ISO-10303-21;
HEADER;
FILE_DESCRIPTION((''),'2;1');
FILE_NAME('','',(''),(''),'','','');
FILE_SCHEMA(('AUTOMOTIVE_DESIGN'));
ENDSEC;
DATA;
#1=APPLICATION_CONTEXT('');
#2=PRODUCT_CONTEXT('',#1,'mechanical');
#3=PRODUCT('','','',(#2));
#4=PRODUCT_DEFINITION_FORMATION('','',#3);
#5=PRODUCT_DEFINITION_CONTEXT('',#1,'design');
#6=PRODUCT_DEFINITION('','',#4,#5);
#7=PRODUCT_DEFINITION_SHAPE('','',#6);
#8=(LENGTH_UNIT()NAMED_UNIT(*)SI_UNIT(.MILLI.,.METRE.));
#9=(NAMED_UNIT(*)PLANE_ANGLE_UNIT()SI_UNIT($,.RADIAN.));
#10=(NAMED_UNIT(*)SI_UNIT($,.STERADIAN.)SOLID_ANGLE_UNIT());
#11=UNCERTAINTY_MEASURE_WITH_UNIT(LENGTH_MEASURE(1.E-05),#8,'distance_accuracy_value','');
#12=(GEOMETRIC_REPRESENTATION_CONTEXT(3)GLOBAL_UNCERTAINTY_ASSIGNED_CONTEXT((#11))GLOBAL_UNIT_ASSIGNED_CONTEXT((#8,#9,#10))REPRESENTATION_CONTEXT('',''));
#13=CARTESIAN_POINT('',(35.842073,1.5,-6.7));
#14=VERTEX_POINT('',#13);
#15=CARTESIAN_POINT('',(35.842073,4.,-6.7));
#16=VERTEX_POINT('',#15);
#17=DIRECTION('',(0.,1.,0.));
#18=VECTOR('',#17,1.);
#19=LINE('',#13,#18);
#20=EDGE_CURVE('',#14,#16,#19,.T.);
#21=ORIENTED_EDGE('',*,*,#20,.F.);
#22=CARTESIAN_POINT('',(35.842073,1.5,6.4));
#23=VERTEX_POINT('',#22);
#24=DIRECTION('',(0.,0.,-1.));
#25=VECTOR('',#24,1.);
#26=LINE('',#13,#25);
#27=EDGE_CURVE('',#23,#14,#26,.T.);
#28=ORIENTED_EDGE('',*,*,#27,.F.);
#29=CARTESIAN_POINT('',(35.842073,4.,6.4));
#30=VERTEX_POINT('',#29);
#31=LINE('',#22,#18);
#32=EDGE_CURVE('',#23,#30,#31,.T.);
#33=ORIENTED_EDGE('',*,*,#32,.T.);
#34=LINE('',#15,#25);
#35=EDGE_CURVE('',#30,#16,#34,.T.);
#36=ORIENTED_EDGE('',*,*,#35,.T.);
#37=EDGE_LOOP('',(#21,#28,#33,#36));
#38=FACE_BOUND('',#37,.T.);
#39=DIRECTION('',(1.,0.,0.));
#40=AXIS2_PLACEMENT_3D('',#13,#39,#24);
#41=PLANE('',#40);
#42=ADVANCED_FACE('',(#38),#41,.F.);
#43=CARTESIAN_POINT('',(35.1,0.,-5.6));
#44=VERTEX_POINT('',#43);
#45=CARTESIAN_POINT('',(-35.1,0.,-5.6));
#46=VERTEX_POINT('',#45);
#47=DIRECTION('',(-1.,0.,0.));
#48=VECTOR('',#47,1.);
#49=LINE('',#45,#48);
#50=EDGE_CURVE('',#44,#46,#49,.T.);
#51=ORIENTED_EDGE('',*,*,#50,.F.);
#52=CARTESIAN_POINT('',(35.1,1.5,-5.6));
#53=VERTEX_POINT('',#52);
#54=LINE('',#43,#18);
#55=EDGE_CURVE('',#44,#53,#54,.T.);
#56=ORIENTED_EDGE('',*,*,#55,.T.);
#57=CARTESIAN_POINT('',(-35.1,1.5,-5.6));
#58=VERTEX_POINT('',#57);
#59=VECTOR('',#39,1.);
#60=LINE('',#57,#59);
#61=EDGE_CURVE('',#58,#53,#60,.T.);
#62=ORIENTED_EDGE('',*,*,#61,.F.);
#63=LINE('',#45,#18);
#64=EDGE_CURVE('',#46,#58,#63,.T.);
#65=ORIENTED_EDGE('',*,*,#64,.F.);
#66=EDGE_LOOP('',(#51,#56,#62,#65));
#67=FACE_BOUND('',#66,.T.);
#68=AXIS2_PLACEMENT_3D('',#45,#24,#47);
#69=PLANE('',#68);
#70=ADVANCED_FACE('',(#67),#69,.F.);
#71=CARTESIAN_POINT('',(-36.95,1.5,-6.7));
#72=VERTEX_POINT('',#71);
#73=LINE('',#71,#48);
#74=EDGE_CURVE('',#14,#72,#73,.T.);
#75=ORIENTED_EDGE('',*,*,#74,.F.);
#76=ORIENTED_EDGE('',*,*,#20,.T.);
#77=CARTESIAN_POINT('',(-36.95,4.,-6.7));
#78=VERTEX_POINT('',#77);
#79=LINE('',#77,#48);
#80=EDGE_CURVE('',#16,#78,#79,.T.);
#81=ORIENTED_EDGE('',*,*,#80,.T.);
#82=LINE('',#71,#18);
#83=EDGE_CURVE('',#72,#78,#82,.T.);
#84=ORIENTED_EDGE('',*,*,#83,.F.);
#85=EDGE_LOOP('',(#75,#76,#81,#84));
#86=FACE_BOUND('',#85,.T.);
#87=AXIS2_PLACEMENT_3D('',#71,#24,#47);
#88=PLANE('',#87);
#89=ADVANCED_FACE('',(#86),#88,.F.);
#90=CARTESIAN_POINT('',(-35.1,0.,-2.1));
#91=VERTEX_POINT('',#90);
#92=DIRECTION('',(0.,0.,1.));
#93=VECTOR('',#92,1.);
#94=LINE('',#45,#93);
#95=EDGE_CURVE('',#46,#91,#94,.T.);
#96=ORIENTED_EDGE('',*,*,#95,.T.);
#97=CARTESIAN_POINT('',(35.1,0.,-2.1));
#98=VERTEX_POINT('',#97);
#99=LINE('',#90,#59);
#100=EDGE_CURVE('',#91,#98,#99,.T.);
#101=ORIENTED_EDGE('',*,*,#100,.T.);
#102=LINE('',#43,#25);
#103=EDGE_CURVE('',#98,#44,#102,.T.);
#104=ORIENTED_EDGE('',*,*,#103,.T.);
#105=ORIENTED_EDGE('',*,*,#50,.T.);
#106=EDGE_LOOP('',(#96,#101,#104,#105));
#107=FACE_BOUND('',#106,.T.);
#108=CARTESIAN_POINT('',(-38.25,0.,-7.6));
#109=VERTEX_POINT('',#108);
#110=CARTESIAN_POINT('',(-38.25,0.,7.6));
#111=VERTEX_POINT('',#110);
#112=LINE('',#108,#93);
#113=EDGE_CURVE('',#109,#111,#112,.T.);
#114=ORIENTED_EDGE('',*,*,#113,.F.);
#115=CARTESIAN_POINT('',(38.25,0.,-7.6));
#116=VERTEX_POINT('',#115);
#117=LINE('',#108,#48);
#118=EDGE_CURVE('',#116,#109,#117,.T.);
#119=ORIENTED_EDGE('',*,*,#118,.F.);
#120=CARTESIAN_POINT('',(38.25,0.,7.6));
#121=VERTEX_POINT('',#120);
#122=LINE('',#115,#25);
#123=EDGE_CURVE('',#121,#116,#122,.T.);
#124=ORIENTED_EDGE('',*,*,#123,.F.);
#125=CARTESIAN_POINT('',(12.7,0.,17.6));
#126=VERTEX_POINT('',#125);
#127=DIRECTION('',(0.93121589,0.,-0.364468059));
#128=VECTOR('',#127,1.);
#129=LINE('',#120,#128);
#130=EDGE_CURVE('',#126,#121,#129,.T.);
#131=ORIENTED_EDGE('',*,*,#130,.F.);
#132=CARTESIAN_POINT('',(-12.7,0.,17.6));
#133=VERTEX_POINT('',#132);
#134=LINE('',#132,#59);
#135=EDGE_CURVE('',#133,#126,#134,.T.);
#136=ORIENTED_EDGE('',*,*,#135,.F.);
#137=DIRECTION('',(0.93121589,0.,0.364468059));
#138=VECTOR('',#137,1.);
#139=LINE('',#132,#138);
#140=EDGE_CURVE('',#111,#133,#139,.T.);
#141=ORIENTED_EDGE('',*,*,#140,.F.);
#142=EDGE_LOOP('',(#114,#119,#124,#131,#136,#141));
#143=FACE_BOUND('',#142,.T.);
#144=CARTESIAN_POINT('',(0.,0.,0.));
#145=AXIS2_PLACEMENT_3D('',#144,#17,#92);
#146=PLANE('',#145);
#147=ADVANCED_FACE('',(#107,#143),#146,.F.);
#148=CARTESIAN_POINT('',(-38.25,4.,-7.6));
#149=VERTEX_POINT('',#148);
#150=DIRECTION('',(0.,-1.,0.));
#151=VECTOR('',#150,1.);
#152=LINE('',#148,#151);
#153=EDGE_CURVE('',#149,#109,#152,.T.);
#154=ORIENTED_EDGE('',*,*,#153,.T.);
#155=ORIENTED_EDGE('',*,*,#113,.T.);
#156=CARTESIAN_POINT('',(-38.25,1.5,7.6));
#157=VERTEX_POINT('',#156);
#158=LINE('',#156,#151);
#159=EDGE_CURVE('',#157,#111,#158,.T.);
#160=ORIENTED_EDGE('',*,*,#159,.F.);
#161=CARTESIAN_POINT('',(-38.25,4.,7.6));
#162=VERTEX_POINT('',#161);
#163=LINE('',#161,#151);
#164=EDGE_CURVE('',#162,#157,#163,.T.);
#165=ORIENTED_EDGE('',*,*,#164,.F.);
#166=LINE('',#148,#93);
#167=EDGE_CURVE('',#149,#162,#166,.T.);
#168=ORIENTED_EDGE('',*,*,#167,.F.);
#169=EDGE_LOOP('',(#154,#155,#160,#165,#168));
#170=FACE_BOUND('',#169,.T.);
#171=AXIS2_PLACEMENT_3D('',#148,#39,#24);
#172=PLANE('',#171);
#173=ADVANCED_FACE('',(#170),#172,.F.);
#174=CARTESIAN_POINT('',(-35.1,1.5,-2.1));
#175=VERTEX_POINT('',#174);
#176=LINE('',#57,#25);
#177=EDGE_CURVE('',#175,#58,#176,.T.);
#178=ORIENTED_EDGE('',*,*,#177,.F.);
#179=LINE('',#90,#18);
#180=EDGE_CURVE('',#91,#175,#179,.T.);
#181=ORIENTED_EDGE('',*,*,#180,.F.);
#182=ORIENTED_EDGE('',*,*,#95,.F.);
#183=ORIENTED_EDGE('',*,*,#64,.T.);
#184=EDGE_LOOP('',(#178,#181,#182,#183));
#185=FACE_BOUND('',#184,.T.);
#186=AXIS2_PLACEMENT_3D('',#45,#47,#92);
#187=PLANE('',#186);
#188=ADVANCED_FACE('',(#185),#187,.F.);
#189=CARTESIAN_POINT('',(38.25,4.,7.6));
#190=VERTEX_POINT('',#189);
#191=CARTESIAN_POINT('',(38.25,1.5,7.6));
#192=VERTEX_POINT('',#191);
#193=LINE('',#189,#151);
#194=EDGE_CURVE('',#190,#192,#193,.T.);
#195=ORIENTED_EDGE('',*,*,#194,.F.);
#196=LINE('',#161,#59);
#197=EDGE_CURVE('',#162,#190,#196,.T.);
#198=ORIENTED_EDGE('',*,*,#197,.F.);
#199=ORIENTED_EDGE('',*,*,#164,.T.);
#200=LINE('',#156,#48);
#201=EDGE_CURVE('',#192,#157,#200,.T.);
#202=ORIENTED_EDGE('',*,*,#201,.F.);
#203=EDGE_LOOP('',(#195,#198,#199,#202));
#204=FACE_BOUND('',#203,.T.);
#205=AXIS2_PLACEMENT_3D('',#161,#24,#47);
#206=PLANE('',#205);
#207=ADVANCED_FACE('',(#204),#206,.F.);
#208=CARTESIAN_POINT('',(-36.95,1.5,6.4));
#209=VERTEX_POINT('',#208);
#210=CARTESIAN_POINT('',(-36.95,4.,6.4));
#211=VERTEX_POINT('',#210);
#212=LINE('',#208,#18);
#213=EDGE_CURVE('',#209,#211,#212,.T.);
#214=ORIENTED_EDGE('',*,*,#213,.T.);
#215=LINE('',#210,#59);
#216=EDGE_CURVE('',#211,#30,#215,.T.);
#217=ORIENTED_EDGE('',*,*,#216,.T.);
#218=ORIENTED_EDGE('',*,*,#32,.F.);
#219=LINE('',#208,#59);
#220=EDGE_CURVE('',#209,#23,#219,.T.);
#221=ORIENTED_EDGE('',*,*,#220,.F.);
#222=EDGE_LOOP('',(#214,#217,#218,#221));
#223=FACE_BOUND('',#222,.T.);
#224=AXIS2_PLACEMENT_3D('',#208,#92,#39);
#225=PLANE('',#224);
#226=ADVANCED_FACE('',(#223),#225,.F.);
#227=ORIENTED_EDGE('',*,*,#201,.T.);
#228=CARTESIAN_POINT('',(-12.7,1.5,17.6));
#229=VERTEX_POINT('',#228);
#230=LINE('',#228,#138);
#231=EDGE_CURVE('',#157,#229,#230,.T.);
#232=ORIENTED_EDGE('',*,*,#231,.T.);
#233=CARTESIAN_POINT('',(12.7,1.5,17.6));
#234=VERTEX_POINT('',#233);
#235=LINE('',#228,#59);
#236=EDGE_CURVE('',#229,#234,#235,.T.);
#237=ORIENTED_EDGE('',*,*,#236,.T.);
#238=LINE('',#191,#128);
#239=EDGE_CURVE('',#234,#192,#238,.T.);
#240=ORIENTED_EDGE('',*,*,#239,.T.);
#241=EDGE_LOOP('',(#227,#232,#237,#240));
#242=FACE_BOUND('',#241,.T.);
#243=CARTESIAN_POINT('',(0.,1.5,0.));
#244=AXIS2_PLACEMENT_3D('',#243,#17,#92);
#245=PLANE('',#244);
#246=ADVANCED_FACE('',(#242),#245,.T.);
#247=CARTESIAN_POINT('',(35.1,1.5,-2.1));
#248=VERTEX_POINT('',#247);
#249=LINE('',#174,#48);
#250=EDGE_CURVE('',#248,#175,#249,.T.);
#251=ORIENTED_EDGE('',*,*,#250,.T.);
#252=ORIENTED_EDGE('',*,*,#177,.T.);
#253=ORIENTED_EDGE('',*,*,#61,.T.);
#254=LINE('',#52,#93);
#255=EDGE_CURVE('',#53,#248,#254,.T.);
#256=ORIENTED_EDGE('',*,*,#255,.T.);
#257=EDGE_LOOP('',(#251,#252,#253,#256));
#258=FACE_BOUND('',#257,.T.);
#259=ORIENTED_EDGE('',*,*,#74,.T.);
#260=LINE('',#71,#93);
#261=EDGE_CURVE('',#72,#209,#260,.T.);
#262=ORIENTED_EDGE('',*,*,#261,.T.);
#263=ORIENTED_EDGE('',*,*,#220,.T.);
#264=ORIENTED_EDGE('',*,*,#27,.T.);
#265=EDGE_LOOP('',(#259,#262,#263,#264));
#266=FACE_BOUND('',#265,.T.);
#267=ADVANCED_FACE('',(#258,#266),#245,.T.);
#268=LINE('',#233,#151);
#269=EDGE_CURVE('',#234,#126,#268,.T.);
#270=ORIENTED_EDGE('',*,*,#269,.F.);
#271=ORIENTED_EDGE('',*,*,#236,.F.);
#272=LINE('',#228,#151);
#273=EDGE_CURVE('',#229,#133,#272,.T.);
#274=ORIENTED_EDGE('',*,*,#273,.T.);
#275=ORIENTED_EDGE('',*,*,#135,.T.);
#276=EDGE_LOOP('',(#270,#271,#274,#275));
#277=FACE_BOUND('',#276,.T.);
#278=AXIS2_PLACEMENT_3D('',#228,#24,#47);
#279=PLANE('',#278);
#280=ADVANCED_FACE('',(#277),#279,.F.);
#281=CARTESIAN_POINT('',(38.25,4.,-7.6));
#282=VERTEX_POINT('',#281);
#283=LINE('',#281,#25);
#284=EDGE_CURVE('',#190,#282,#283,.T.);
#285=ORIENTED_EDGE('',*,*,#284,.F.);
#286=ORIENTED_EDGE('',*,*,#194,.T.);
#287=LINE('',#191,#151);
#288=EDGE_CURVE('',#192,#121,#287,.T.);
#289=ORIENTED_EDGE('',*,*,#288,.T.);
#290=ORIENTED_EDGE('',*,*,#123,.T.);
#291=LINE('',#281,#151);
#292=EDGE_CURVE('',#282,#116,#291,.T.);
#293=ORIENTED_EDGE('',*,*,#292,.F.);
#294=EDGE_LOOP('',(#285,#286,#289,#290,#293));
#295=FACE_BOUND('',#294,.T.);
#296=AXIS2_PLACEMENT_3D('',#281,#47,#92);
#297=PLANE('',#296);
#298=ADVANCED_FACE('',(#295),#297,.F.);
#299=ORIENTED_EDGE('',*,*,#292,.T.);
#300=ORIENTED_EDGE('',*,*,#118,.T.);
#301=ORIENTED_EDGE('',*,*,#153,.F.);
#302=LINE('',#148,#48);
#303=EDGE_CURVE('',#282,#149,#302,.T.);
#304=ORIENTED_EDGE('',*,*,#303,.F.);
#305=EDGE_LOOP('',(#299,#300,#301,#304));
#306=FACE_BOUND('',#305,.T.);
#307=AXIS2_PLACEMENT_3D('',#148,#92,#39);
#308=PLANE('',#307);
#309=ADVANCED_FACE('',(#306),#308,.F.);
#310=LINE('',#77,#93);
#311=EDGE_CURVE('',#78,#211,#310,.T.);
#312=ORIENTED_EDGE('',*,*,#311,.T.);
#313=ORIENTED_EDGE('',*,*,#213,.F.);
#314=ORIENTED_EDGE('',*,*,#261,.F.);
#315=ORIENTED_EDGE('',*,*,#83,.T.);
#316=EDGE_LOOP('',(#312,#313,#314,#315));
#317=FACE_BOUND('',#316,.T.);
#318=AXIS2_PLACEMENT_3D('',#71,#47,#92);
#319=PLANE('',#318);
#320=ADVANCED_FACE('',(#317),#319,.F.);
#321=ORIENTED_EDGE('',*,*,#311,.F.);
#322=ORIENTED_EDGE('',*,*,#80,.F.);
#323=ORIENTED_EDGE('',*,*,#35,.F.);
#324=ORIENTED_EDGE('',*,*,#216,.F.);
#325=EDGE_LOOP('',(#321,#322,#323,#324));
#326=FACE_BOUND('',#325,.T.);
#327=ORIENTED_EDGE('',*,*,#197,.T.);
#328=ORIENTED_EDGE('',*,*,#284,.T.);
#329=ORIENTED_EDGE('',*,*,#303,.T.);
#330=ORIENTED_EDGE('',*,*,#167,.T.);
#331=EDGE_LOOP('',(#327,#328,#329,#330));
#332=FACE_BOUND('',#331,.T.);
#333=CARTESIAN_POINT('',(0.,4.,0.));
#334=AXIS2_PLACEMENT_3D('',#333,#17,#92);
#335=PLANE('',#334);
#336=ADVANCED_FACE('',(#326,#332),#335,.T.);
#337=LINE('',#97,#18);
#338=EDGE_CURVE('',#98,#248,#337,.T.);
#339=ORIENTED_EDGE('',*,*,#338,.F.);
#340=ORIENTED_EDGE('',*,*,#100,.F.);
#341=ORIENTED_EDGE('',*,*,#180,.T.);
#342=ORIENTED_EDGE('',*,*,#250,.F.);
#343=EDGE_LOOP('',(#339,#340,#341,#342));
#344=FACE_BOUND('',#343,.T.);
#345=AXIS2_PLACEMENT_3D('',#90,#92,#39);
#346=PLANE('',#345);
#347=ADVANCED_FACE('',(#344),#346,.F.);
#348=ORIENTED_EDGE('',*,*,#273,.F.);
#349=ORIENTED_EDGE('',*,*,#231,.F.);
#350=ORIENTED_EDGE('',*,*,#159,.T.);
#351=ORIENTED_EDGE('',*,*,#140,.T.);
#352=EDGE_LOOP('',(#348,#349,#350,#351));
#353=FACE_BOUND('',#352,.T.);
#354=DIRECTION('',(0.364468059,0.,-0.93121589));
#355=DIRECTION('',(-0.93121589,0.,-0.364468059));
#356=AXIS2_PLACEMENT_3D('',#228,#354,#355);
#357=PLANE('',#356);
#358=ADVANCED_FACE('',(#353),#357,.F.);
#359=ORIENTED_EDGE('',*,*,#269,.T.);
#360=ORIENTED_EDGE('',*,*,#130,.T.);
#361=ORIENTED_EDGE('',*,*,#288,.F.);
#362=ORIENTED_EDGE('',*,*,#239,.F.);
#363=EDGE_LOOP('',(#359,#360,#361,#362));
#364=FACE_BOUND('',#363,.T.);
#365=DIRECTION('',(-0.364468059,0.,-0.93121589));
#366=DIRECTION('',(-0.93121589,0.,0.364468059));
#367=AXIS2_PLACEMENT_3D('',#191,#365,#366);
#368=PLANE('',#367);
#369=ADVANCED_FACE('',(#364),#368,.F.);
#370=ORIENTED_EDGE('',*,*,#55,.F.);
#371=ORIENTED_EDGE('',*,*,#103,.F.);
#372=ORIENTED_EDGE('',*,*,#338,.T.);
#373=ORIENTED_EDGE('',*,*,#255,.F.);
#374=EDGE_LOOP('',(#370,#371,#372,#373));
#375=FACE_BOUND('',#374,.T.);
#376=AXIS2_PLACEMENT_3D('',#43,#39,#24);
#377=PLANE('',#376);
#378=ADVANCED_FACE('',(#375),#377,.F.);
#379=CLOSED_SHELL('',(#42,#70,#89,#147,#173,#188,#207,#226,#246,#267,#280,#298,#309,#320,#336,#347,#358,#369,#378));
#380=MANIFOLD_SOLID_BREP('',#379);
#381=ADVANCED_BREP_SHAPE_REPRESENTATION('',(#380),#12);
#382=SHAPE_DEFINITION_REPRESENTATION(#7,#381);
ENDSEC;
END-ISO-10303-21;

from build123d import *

# Parameters (mm, degrees)
CROQUIS1_W              = 76.5
CROQUIS1_H              = 15.2
SALIENTE_EXTRUIR1_DEPTH = 4
CROQUIS2_W              = 70.2
CROQUIS2_H              = 3.5
CORTAR_EXTRUIR1_DEPTH   = 4
CROQUIS3_W              = 72.792072964
CROQUIS3_H              = 13.1
CORTAR_EXTRUIR2_DEPTH   = 2.5
SALIENTE_EXTRUIR2_DEPTH = 1.5


with BuildPart() as part:
    # Croquis1 → Saliente-Extruir1 (new body)
    with BuildSketch(Plane(origin=(0, 0, 0), x_dir=(1, 0, 0), z_dir=(0, 1, 0))):
        Rectangle(CROQUIS1_W, CROQUIS1_H)
    extrude(amount=SALIENTE_EXTRUIR1_DEPTH)

    # Croquis2 → Cortar-Extruir1 (cut)
    with BuildSketch(Plane(origin=(0, 4, 0), x_dir=(1, 0, 0), z_dir=(0, 1, 0))):
        with Locations((0, 3.85)):
            Rectangle(CROQUIS2_W, CROQUIS2_H)
    extrude(amount=-CORTAR_EXTRUIR1_DEPTH, mode=Mode.SUBTRACT)

    # Croquis3 → Cortar-Extruir2 (cut)
    with BuildSketch(Plane(origin=(0, 4, 0), x_dir=(1, 0, 0), z_dir=(0, 1, 0))):
        with Locations((-0.553963518, 0.15)):
            Rectangle(CROQUIS3_W, CROQUIS3_H)
    extrude(amount=-CORTAR_EXTRUIR2_DEPTH, mode=Mode.SUBTRACT)

    # Croquis4 → Saliente-Extruir2 (add)
    with BuildSketch(Plane(origin=(0, 0, 0), x_dir=(1, 0, 0), z_dir=(0, 1, 0))):
        Polygon((-12.7, -17.6), (12.7, -17.6), (38.25, -7.6), (-38.25, -7.6), align=None)
    extrude(amount=SALIENTE_EXTRUIR2_DEPTH)


solid = part.part
